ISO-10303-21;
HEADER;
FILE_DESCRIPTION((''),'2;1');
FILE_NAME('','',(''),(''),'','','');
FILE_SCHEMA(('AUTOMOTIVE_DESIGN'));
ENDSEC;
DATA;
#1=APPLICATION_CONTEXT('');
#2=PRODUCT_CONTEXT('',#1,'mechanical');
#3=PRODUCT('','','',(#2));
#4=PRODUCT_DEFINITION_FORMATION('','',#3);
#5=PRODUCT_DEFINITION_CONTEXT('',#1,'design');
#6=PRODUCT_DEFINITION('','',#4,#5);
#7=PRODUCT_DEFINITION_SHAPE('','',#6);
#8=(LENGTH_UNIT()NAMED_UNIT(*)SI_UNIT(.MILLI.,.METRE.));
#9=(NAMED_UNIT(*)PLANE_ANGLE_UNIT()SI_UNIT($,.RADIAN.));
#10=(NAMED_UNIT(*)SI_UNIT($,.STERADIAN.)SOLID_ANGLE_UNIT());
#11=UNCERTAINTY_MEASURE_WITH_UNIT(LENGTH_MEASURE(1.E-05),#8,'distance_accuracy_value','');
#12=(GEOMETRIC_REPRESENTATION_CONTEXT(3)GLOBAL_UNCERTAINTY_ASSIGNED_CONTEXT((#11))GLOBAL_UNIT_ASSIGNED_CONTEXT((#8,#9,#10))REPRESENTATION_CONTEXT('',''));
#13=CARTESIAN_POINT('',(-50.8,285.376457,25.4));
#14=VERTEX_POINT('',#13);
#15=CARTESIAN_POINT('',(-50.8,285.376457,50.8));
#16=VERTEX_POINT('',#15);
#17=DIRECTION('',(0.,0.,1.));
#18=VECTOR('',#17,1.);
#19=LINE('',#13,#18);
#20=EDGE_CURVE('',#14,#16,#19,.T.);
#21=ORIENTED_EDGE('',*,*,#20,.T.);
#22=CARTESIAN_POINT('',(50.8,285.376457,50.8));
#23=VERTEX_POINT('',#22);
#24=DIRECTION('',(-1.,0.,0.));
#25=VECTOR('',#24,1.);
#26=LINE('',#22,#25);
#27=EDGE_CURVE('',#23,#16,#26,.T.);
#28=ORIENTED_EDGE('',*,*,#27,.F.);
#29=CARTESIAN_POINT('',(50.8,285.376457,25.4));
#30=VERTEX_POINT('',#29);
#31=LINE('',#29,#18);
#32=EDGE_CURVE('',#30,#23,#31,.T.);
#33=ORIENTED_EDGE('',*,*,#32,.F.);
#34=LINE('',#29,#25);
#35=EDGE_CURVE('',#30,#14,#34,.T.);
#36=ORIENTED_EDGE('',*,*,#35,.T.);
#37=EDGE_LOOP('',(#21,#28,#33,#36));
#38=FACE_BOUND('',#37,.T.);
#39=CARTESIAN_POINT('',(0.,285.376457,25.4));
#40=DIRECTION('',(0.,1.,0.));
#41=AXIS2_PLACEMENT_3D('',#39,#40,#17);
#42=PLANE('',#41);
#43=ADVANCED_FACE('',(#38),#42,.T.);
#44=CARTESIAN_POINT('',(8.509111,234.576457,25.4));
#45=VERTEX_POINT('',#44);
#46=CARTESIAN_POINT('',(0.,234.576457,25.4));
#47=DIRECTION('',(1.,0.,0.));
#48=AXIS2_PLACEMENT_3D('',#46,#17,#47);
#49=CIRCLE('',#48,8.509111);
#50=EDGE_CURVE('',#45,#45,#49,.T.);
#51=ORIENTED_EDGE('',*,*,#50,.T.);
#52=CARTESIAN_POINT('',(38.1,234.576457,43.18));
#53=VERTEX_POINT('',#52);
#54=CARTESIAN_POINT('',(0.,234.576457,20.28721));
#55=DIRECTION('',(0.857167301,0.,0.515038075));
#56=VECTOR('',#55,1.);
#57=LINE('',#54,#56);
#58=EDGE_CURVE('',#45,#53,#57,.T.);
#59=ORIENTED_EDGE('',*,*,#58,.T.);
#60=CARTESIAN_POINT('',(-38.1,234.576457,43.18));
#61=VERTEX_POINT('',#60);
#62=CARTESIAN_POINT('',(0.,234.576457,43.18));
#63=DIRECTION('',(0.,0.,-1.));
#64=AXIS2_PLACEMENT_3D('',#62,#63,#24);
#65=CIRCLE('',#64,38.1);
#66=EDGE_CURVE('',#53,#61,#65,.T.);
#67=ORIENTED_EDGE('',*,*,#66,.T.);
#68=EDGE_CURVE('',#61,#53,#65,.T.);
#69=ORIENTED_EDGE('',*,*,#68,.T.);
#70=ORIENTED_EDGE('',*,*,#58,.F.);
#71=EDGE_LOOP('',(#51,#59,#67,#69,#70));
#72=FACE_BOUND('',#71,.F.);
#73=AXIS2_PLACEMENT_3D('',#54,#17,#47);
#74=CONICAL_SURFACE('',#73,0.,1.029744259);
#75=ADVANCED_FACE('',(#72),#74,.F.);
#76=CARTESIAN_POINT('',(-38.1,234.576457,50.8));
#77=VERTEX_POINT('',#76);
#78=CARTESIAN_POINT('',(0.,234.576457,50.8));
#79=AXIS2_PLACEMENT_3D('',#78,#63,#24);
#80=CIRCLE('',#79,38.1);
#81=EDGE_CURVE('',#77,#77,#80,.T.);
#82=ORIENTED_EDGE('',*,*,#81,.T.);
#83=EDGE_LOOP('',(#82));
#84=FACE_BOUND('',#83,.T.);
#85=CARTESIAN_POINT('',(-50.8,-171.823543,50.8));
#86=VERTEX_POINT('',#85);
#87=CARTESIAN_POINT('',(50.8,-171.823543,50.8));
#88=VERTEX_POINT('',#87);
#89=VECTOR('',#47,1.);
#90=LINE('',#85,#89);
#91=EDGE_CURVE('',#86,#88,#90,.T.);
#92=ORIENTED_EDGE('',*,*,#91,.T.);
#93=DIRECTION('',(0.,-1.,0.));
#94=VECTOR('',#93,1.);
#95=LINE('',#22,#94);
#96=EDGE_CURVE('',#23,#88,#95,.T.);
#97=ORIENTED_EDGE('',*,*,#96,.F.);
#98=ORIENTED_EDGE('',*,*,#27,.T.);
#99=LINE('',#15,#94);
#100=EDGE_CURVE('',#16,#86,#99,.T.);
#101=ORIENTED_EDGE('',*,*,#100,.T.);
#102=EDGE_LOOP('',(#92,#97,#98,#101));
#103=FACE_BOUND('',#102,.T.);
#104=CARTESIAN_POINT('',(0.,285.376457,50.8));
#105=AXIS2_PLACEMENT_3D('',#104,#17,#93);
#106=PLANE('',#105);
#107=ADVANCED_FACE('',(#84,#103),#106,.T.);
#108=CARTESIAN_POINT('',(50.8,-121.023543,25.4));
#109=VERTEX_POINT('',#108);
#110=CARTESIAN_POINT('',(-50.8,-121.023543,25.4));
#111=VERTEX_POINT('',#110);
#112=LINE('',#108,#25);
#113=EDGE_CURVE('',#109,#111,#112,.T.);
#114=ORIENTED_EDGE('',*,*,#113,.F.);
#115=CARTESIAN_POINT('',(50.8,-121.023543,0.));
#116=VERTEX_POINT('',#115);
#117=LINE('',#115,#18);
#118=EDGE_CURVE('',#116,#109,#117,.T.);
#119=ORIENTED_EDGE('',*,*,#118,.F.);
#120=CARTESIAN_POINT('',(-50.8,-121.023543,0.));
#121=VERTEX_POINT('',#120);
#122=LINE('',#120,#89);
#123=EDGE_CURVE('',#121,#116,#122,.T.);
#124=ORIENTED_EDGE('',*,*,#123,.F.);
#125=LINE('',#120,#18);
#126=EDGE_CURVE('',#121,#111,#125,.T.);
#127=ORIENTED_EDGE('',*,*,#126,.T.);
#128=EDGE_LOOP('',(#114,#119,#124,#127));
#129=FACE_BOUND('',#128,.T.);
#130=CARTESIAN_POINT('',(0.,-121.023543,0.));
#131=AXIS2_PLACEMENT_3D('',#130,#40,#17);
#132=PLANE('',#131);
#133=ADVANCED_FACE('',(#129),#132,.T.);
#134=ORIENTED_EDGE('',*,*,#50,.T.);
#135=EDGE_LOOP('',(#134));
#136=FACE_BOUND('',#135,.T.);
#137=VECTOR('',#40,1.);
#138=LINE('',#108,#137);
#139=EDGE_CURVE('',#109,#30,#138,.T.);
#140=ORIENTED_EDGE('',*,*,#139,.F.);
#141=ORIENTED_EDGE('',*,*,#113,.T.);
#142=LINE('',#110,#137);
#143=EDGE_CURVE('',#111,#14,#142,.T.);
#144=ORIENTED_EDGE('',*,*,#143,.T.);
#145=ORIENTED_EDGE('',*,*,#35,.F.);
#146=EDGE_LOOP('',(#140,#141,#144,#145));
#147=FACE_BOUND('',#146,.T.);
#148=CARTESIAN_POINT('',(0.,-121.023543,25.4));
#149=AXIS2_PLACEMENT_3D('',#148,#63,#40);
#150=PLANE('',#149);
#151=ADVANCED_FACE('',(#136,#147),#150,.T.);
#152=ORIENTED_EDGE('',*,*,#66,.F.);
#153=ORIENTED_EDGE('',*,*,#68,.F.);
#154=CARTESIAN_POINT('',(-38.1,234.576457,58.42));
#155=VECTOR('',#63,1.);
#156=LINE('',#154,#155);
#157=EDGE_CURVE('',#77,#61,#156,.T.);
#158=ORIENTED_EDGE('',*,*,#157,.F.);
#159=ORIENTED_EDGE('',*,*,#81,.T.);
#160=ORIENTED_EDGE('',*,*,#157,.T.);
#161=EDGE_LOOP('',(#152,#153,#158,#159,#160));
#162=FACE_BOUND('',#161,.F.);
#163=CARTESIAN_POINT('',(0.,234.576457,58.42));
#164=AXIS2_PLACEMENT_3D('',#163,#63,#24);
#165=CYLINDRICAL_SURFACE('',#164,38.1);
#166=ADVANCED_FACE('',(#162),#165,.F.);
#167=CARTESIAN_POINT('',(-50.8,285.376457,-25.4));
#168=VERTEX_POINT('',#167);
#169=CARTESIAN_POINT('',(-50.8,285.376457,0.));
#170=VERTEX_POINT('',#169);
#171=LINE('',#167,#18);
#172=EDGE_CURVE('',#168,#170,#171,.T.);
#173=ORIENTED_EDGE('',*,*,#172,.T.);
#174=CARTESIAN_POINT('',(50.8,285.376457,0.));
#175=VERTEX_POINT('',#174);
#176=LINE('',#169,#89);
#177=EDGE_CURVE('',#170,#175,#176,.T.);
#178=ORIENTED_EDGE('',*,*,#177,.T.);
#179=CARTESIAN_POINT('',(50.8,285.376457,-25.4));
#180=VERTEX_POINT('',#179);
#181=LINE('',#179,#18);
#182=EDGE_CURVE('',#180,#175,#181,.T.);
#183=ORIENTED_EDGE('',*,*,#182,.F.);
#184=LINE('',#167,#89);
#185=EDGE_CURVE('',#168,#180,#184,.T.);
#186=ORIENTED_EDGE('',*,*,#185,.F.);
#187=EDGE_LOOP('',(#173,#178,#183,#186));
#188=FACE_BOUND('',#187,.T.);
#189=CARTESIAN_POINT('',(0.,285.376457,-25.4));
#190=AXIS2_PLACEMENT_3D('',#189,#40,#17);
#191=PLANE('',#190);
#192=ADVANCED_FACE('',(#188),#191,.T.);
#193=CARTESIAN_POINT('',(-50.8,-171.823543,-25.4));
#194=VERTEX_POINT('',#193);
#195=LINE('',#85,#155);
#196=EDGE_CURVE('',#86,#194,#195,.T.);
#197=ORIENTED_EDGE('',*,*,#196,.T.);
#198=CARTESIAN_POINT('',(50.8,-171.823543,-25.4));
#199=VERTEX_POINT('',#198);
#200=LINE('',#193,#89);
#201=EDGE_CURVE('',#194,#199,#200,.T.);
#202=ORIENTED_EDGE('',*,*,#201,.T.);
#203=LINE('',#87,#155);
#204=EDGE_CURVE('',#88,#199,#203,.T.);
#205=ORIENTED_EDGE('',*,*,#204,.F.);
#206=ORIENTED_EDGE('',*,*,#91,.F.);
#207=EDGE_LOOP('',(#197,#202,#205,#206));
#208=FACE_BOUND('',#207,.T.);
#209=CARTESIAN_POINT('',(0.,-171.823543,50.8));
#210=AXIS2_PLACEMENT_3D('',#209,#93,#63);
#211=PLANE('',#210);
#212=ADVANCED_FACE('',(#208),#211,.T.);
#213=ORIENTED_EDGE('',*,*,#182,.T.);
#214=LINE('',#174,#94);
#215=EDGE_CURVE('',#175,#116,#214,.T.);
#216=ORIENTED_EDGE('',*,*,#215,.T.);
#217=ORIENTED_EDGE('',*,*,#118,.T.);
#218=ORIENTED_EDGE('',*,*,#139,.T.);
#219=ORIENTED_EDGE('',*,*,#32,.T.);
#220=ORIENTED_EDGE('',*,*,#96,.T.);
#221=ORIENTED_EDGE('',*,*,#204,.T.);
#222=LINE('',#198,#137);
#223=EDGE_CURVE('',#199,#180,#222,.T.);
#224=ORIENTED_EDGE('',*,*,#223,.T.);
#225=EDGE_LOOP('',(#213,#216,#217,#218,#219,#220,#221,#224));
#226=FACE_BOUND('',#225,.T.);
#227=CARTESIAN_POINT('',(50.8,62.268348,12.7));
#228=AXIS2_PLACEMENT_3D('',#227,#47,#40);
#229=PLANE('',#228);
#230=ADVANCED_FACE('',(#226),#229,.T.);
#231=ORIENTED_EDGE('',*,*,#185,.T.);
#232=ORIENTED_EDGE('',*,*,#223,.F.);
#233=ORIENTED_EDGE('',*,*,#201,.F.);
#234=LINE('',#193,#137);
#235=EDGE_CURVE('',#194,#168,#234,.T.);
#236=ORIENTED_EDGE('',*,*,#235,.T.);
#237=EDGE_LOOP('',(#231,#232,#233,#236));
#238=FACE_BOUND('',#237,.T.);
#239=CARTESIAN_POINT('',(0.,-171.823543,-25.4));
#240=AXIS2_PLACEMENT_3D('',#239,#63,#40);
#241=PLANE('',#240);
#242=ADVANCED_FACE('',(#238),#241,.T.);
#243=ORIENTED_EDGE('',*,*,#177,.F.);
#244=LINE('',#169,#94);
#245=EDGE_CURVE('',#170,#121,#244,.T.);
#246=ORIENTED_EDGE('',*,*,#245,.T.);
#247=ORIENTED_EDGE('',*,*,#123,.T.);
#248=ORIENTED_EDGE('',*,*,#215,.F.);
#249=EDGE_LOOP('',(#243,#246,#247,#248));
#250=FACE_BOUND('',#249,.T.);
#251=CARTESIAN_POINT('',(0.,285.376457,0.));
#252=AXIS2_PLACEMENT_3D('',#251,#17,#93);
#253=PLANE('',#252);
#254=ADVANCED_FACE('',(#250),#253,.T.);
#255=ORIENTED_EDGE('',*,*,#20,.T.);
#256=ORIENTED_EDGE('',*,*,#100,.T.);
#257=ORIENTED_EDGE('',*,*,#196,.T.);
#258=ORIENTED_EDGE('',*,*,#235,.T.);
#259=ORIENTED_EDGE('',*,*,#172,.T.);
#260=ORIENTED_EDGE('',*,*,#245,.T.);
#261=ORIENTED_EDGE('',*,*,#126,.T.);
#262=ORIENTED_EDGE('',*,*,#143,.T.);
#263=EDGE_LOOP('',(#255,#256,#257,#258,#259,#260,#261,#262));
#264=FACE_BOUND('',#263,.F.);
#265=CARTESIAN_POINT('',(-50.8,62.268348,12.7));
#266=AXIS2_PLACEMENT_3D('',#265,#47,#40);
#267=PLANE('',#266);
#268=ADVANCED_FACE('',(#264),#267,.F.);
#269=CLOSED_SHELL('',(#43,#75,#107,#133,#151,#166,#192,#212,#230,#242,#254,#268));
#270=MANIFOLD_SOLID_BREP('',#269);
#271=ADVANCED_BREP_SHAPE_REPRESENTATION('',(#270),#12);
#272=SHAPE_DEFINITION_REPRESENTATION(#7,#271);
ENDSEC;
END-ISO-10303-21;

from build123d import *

# Parameters (mm, degrees)
F1_DEPTH = 50.8
F3_D     = 76.2
F3_DEPTH = 7.62
F3_TIP   = 22.892789585


with BuildPart() as f1:
    # F0 (on Right) → F1 (new body, symmetric)
    with BuildSketch(Plane.YZ):
        Polygon((285.3764565342, 50.8), (-171.8235434658, 50.8), (-171.8235434658, -25.4), (285.3764565342, -25.4), (285.3764565342, 0), (-121.0235434658, 0), (-121.0235434658, 25.4), (285.3764565342, 25.4), align=None)
    extrude(amount=F1_DEPTH, both=True)

    # F3
    with Locations(Plane.XY.offset(50.8)):
        with Locations((0, 234.5764565342)):
            Hole(F3_D / 2, depth=F3_DEPTH)
            with Locations((0, 0, -(F3_DEPTH + F3_TIP / 2))):  # 118° drill point
                Cone(0, F3_D / 2, F3_TIP, mode=Mode.SUBTRACT)


solid = f1.part
